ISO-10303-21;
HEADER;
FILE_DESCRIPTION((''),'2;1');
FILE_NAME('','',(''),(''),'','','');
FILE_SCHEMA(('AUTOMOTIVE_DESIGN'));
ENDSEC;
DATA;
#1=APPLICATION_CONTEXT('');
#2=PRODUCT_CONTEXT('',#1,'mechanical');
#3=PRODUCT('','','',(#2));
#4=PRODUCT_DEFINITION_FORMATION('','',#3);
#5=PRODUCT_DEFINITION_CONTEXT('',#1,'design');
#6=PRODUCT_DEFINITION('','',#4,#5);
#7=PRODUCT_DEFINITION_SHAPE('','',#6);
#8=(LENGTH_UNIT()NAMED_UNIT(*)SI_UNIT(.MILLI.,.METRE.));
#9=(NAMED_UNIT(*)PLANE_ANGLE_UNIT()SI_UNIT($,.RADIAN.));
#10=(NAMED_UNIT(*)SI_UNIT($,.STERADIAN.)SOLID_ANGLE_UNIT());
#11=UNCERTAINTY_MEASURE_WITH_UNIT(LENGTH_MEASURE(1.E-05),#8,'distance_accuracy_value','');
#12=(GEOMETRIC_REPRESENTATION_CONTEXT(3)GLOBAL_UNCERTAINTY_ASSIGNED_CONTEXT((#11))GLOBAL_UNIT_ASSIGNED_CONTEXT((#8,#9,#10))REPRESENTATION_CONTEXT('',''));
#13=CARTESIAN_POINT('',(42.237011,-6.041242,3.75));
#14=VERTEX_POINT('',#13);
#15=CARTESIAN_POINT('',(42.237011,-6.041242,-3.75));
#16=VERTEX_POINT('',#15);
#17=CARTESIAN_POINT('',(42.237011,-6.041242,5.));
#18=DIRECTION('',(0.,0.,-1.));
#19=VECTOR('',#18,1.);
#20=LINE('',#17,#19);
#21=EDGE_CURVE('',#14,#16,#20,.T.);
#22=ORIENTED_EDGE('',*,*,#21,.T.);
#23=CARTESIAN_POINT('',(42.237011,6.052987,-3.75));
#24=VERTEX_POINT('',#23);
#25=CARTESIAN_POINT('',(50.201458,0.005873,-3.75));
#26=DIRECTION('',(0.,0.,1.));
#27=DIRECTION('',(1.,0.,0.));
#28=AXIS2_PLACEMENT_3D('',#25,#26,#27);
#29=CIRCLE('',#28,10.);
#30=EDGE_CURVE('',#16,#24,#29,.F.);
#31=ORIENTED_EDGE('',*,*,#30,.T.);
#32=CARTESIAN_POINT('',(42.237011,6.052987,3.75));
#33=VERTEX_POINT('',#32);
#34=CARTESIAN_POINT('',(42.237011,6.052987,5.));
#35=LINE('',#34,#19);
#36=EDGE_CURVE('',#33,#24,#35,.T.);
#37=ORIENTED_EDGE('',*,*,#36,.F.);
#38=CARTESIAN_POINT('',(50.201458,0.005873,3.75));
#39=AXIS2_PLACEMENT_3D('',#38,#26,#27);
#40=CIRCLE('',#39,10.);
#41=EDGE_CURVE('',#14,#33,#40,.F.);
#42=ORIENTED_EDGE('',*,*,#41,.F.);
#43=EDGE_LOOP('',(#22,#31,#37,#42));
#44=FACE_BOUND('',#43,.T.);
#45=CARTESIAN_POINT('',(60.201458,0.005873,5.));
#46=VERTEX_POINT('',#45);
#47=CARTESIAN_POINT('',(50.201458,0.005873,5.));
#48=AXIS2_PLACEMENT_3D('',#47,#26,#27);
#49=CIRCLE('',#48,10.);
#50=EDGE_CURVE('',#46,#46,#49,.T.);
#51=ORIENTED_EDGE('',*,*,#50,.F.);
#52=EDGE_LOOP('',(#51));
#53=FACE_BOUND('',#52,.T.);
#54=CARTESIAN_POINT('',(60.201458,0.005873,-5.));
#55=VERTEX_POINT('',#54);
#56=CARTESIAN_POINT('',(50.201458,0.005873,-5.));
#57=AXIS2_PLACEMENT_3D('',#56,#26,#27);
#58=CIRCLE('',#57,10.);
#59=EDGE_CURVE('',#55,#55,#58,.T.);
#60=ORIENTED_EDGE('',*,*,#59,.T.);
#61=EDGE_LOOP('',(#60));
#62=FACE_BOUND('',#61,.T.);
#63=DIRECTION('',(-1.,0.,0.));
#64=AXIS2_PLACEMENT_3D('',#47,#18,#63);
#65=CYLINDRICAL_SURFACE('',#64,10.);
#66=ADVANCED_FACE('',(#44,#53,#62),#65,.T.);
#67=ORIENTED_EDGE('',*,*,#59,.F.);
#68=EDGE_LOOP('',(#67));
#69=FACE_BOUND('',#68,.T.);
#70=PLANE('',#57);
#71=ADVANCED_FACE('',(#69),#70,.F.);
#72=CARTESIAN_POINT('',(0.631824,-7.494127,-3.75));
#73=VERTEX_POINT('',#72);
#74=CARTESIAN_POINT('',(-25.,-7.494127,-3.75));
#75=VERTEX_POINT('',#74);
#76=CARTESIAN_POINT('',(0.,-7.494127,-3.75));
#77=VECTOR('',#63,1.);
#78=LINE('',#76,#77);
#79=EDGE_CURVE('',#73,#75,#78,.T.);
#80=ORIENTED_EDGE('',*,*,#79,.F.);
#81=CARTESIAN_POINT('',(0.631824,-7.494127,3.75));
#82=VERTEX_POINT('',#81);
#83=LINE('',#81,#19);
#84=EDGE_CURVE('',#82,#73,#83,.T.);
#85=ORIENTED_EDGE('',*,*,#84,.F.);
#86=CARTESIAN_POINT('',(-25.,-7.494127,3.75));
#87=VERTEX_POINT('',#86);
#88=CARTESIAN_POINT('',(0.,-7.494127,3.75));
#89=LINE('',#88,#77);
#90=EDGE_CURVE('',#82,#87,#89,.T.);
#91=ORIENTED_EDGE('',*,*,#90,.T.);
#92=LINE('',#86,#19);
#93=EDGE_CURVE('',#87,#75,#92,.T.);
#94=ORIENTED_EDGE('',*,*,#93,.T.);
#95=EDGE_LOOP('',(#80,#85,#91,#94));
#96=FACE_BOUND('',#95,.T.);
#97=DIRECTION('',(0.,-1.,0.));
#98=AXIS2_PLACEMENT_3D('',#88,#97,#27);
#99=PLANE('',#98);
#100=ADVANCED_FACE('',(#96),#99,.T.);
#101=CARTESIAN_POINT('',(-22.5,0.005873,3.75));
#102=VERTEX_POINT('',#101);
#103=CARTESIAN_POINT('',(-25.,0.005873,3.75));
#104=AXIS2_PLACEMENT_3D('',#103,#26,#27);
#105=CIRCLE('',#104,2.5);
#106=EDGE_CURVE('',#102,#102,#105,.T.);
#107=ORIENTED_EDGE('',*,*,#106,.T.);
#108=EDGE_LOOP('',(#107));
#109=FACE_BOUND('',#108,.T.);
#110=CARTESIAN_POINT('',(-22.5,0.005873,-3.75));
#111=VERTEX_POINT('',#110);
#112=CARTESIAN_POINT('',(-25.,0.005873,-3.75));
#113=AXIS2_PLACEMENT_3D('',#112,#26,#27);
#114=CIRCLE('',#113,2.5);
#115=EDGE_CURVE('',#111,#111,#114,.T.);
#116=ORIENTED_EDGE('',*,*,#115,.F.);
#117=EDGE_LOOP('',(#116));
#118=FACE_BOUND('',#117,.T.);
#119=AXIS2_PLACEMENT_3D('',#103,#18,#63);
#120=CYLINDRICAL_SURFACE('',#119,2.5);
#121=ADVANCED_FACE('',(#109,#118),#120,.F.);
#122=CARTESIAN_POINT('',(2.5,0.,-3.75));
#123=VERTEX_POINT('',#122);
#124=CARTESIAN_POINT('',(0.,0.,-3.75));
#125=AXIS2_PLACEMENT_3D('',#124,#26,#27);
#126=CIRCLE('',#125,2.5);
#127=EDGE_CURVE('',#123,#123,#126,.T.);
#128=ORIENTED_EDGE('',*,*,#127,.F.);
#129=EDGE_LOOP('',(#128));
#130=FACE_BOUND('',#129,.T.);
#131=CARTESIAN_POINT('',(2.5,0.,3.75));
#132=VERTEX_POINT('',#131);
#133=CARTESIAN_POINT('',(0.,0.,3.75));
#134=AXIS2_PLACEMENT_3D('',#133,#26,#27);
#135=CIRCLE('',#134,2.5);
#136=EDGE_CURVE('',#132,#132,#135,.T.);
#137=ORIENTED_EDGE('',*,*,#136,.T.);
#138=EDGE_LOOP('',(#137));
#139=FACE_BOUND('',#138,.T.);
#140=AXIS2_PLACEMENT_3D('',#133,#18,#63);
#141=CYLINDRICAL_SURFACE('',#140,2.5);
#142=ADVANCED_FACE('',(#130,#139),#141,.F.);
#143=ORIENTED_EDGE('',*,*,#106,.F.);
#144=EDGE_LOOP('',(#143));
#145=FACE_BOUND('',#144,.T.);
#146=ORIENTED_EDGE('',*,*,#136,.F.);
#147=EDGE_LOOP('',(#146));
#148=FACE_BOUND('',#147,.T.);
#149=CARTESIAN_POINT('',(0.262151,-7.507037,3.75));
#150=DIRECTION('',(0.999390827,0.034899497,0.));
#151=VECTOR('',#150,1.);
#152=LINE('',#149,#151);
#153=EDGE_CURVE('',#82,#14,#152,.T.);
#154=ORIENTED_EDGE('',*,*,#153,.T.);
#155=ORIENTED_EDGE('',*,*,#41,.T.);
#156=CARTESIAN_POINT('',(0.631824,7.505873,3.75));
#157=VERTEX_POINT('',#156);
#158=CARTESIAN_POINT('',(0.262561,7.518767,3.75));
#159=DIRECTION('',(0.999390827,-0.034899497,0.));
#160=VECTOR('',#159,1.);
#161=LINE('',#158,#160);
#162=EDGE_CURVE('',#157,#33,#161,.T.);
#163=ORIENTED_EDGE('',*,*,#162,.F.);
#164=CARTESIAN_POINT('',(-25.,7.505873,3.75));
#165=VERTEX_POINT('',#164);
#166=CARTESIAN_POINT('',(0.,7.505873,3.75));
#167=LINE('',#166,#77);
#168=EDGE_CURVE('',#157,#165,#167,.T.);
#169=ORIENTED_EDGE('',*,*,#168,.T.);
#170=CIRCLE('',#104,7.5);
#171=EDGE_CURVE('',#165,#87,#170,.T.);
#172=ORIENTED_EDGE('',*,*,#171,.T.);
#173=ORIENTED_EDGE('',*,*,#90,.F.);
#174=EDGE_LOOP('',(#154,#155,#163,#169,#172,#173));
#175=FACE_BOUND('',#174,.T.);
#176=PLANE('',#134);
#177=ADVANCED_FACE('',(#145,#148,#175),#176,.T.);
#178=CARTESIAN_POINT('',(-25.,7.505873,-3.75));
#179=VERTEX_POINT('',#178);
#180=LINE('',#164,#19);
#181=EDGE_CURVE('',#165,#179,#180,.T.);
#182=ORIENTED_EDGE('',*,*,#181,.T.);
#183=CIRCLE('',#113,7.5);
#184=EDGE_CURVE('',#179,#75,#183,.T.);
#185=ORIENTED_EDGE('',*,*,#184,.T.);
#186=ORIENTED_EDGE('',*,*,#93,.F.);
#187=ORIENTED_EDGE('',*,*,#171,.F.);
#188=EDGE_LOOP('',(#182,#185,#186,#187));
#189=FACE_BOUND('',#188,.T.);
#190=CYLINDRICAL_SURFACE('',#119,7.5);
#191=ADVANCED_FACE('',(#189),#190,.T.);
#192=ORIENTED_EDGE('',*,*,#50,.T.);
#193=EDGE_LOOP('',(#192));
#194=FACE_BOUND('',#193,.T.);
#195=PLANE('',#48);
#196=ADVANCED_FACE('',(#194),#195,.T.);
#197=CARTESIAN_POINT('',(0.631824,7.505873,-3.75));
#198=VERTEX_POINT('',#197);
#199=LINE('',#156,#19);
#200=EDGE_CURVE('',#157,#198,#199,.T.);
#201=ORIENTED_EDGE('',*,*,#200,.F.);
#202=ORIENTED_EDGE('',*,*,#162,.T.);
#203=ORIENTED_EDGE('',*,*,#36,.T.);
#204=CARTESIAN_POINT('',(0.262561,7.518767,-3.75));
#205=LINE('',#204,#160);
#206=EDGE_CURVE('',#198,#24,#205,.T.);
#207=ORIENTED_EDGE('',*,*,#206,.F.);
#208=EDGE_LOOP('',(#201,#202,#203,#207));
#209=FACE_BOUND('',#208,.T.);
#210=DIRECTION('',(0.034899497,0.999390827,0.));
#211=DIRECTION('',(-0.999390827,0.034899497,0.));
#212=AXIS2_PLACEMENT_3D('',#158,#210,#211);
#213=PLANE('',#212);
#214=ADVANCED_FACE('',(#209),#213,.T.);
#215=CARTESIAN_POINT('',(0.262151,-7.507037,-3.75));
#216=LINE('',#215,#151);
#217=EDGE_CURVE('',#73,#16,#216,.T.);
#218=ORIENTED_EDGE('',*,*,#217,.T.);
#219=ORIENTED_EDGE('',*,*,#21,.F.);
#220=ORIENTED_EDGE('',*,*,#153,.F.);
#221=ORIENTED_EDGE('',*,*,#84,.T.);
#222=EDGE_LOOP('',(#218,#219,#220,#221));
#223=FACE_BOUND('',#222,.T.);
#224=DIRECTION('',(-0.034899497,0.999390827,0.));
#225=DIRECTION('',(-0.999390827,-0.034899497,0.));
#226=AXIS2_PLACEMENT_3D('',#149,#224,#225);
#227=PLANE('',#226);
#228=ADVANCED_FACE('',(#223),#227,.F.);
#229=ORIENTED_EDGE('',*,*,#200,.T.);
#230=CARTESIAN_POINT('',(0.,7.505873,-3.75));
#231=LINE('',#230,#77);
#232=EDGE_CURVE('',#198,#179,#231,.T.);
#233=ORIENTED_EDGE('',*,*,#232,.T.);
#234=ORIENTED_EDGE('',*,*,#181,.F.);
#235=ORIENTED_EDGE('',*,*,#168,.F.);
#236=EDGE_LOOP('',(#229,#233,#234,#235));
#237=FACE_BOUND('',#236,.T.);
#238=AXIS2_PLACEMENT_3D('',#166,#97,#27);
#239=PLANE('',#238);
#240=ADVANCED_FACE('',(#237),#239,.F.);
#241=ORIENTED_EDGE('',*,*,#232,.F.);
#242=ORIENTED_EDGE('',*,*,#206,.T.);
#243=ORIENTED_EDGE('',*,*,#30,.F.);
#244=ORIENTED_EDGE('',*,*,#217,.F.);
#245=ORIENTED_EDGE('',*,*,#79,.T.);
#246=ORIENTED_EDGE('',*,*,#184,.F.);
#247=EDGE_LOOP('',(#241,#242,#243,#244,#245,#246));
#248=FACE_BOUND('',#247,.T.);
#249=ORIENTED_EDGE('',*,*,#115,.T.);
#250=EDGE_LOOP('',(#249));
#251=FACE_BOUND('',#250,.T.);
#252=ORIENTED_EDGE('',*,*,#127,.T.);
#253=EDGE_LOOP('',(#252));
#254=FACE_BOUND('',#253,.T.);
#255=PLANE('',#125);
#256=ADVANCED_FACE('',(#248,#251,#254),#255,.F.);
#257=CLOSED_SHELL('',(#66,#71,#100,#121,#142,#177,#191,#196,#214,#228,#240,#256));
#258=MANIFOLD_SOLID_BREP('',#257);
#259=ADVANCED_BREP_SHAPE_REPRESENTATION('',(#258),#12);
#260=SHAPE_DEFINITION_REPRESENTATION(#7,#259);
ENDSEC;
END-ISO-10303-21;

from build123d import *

# Parameters (mm, degrees)
BOSS_EXTRUDE1_DEPTH = 3.75
SKETCH2_R           = 10
BOSS_EXTRUDE2_DEPTH = 5


with BuildPart() as part:
    # Sketch1 → Boss-Extrude1 (new, symmetric)
    with BuildSketch(Plane.XY):
        with BuildLine():
            ThreePointArc((-17.5, 0.005872539), (-19.696699141, 5.309173398), (-25, 7.505872539))
            Line((-25, 7.505872539), (-25, 2.505872539))
            ThreePointArc((-25, 2.505872539), (-23.232233047, 1.773639492), (-22.5, 0.005872539))
            Line((-22.5, 0.005872539), (-17.5, 0.005872539))
        make_face()
        with BuildLine():
            Line((-25, 2.505872539), (-25, 7.505872539))
            ThreePointArc((-25, 7.505872539), (-30.303300859, 5.309173398), (-32.5, 0.005872539))
            Line((-32.5, 0.005872539), (-27.5, 0.005872539))
            ThreePointArc((-27.5, 0.005872539), (-26.767766953, 1.773639492), (-25, 2.505872539))
        make_face()
        with BuildLine():
            ThreePointArc((-25, -7.494127461), (-19.696699141, -5.29742832), (-17.5, 0.005872539))
            Line((-17.5, 0.005872539), (-22.5, 0.005872539))
            ThreePointArc((-22.5, 0.005872539), (-23.232233047, -1.761894414), (-25, -2.494127461))
            Line((-25, -2.494127461), (-25, -7.494127461))
        make_face()
        with BuildLine():
            Line((-27.5, 0.005872539), (-32.5, 0.005872539))
            ThreePointArc((-32.5, 0.005872539), (-30.303300859, -5.29742832), (-25, -7.494127461))
            Line((-25, -7.494127461), (-25, -2.494127461))
            ThreePointArc((-25, -2.494127461), (-26.767766953, -1.761894414), (-27.5, 0.005872539))
        make_face()
        with BuildLine():
            ThreePointArc((50.201457579, -5.763117708), (54.152393819, -4.00404756), (55.772506702, 0.005872539))
            Line((55.772506702, 0.005872539), (2.499993103, 0.005872539))
            ThreePointArc((2.499993103, 0.005872539), (2.499998276, 0.002936272), (2.5, 0))
            ThreePointArc((2.5, 0), (1.869738707, -1.659541253), (0.296738265, -2.482326812))
            ThreePointArc((0.296738265, -2.482326812), (-1.661736132, -1.867788272), (-2.499993103, 0.005872539))
            Line((-2.499993103, 0.005872539), (-17.5, 0.005872539))
            ThreePointArc((-17.5, 0.005872539), (-19.696699141, -5.29742832), (-25, -7.494127461))
            Line((-25, -7.494127461), (0.631823856, -7.494127461))
            Line((0.631823856, -7.494127461), (50.201457579, -5.763117708))
        make_face()
        with BuildLine():
            Line((50.201457579, 5.774862786), (0.631823856, 7.505872539))
            Line((0.631823856, 7.505872539), (-25, 7.505872539))
            ThreePointArc((-25, 7.505872539), (-19.696699141, 5.309173398), (-17.5, 0.005872539))
            Line((-17.5, 0.005872539), (-2.499993103, 0.005872539))
            ThreePointArc((-2.499993103, 0.005872539), (-1.657344084, 1.871686562), (0.296738265, 2.482326812))
            ThreePointArc((0.296738265, 2.482326812), (1.867788272, 1.661736132), (2.499993103, 0.005872539))
            Line((2.499993103, 0.005872539), (55.772506702, 0.005872539))
            ThreePointArc((55.772506702, 0.005872539), (54.152393819, 4.015792638), (50.201457579, 5.774862786))
        make_face()
    extrude(amount=BOSS_EXTRUDE1_DEPTH, both=True)

    # Sketch2 → Boss-Extrude2 (add, symmetric)
    with BuildSketch(Plane.XY):
        with Locations((50.201457579, 0.005872539)):
            Circle(SKETCH2_R)
    extrude(amount=BOSS_EXTRUDE2_DEPTH, both=True)


solid = part.part
